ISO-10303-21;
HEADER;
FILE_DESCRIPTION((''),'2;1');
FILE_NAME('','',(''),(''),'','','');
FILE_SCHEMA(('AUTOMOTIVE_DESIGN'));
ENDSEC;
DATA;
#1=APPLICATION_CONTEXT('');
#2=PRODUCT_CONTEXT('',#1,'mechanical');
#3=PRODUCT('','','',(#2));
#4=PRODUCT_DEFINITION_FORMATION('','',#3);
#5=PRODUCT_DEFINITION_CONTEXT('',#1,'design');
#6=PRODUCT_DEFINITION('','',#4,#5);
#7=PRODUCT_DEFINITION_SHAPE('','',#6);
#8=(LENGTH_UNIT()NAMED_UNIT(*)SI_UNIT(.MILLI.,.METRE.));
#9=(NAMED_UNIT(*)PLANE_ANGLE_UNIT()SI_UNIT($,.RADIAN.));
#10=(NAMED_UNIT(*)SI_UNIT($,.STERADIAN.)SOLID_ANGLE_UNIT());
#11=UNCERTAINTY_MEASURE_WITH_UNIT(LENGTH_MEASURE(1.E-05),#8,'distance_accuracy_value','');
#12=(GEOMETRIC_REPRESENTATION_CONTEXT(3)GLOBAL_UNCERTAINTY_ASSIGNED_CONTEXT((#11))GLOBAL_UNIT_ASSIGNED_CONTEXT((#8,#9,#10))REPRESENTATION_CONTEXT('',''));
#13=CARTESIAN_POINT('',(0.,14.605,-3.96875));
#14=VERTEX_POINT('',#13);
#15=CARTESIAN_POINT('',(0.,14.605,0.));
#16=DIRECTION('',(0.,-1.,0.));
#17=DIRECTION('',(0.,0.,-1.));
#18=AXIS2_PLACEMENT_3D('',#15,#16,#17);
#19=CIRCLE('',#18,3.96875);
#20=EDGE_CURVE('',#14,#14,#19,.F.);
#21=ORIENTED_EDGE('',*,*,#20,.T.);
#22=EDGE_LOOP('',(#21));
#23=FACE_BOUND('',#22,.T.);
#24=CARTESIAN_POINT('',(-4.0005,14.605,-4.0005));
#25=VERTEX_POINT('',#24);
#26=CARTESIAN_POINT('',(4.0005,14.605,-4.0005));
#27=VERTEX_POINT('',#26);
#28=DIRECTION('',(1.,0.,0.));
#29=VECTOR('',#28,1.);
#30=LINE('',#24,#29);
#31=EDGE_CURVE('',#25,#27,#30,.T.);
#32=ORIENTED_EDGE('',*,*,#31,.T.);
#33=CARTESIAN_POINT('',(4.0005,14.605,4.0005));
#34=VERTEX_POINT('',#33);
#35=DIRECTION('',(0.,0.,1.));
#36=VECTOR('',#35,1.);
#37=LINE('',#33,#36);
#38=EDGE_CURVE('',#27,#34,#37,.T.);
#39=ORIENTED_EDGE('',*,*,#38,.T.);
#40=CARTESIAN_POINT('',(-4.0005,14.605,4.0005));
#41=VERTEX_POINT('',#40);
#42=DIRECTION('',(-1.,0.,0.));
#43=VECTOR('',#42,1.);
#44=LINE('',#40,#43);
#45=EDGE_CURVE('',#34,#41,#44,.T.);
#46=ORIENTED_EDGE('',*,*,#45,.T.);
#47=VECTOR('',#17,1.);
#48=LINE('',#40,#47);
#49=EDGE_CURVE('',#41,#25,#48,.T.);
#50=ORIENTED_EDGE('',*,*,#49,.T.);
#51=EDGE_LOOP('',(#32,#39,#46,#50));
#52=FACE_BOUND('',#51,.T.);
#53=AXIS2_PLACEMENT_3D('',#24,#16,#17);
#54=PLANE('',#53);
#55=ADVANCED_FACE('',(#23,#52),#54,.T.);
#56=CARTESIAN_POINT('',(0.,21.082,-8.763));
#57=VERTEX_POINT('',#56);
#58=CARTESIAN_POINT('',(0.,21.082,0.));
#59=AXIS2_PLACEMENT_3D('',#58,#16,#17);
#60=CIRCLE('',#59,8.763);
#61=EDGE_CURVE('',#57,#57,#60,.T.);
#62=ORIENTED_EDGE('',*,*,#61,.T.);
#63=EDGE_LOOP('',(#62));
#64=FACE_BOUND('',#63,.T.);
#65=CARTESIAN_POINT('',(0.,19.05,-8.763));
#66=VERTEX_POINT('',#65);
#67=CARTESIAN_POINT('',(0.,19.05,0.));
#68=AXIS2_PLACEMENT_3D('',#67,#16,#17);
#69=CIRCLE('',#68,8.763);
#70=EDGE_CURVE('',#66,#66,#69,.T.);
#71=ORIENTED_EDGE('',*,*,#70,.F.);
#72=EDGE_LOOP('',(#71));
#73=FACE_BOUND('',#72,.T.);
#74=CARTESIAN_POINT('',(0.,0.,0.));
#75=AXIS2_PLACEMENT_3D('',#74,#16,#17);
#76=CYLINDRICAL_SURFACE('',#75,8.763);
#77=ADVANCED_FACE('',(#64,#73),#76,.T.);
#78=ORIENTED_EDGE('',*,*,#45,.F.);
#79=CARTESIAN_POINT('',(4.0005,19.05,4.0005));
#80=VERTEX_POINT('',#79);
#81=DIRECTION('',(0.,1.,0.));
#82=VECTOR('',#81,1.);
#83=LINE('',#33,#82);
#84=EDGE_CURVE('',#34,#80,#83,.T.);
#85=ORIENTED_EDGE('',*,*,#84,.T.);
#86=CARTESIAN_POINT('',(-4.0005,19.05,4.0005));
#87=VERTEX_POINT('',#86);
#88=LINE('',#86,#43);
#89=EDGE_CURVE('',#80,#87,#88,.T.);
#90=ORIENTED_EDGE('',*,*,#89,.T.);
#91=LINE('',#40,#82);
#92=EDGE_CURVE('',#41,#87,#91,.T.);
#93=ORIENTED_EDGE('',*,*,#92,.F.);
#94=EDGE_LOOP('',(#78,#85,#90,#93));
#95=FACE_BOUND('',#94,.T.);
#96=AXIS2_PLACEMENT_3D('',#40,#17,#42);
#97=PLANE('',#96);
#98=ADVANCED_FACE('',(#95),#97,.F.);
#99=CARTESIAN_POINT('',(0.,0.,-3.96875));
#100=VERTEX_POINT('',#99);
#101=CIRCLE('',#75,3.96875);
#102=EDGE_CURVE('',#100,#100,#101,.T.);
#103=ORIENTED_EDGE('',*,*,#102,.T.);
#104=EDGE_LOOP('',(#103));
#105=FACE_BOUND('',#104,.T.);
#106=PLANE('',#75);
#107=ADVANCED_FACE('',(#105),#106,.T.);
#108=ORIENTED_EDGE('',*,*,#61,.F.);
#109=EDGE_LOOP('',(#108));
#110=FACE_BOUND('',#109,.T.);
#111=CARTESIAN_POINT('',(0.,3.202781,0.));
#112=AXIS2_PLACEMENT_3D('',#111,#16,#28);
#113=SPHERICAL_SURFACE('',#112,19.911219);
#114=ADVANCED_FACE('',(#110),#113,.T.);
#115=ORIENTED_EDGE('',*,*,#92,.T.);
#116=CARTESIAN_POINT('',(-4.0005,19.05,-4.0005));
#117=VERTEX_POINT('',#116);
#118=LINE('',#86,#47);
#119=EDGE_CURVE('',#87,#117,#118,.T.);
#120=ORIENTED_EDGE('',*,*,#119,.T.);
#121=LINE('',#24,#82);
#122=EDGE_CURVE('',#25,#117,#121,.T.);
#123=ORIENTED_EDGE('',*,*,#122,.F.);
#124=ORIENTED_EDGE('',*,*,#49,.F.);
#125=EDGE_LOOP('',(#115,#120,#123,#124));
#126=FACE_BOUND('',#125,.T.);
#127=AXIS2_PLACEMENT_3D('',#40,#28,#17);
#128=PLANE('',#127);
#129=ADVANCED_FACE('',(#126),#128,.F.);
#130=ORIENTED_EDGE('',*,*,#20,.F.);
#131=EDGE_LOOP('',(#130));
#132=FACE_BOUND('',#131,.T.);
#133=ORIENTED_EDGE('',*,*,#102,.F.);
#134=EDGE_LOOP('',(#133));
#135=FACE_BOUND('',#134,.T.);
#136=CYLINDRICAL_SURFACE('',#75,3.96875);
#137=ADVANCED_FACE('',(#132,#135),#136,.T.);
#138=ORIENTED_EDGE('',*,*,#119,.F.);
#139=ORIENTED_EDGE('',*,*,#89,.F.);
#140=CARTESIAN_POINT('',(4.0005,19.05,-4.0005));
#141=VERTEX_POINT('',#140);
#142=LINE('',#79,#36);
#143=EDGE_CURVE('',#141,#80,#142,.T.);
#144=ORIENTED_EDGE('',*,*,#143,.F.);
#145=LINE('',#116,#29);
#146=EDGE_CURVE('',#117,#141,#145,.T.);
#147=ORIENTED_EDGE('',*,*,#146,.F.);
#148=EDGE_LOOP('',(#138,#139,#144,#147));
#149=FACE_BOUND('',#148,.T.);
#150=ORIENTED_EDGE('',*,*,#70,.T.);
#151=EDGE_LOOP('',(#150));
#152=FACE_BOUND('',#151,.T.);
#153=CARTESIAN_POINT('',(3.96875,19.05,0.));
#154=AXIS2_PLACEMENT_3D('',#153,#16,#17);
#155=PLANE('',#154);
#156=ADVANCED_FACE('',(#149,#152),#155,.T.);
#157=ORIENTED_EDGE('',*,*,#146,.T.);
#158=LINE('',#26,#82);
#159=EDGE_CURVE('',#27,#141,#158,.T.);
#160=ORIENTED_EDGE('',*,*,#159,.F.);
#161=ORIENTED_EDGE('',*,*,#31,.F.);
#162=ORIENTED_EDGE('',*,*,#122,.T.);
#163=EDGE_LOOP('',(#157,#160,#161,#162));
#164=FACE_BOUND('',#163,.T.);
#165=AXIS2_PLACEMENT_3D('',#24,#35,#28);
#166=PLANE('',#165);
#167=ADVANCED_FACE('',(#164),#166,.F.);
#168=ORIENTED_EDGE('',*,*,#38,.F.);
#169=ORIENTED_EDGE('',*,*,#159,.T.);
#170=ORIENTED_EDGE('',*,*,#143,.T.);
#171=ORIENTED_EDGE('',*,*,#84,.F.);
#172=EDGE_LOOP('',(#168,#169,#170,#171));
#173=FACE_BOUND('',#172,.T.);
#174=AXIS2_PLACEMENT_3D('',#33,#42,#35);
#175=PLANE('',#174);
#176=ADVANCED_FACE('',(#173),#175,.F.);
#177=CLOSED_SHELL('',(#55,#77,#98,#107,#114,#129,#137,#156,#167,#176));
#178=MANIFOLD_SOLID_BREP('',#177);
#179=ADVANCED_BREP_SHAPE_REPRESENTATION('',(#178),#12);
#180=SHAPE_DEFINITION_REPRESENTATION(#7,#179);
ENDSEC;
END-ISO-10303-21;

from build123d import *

# Parameters (mm, degrees)
SKETCH2_W         = 8.001
SKETCH2_H         = 8.001
SQUARE_BOSS_DEPTH = 4.445


with BuildPart() as part:
    # Sketch1 → Screw revolve (revolve)
    with BuildSketch(Plane.XY, mode=Mode.PRIVATE) as screw_revolve_sk:
        with BuildLine():
            Line((0, 0), (3.96875, 0))
            Line((3.96875, 0), (3.96875, 19.05))
            Line((3.96875, 19.05), (8.763, 19.05))
            Line((8.763, 19.05), (8.763, 21.082))
            ThreePointArc((8.763, 21.082), (4.497754801, 22.599348829), (0, 23.114))
            Line((0, 23.114), (0, 0))
        make_face()
    revolve(screw_revolve_sk.sketch.rotate(Axis((0, 0, 0), (0, 1, 0)), 90), axis=Axis((0, 0, 0), (0, 1, 0)))

    # Sketch2 → Square boss (add)
    with BuildSketch(Plane.XZ.offset(-19.05)):
        Rectangle(SKETCH2_W, SKETCH2_H)
    extrude(amount=SQUARE_BOSS_DEPTH)


solid = part.part
